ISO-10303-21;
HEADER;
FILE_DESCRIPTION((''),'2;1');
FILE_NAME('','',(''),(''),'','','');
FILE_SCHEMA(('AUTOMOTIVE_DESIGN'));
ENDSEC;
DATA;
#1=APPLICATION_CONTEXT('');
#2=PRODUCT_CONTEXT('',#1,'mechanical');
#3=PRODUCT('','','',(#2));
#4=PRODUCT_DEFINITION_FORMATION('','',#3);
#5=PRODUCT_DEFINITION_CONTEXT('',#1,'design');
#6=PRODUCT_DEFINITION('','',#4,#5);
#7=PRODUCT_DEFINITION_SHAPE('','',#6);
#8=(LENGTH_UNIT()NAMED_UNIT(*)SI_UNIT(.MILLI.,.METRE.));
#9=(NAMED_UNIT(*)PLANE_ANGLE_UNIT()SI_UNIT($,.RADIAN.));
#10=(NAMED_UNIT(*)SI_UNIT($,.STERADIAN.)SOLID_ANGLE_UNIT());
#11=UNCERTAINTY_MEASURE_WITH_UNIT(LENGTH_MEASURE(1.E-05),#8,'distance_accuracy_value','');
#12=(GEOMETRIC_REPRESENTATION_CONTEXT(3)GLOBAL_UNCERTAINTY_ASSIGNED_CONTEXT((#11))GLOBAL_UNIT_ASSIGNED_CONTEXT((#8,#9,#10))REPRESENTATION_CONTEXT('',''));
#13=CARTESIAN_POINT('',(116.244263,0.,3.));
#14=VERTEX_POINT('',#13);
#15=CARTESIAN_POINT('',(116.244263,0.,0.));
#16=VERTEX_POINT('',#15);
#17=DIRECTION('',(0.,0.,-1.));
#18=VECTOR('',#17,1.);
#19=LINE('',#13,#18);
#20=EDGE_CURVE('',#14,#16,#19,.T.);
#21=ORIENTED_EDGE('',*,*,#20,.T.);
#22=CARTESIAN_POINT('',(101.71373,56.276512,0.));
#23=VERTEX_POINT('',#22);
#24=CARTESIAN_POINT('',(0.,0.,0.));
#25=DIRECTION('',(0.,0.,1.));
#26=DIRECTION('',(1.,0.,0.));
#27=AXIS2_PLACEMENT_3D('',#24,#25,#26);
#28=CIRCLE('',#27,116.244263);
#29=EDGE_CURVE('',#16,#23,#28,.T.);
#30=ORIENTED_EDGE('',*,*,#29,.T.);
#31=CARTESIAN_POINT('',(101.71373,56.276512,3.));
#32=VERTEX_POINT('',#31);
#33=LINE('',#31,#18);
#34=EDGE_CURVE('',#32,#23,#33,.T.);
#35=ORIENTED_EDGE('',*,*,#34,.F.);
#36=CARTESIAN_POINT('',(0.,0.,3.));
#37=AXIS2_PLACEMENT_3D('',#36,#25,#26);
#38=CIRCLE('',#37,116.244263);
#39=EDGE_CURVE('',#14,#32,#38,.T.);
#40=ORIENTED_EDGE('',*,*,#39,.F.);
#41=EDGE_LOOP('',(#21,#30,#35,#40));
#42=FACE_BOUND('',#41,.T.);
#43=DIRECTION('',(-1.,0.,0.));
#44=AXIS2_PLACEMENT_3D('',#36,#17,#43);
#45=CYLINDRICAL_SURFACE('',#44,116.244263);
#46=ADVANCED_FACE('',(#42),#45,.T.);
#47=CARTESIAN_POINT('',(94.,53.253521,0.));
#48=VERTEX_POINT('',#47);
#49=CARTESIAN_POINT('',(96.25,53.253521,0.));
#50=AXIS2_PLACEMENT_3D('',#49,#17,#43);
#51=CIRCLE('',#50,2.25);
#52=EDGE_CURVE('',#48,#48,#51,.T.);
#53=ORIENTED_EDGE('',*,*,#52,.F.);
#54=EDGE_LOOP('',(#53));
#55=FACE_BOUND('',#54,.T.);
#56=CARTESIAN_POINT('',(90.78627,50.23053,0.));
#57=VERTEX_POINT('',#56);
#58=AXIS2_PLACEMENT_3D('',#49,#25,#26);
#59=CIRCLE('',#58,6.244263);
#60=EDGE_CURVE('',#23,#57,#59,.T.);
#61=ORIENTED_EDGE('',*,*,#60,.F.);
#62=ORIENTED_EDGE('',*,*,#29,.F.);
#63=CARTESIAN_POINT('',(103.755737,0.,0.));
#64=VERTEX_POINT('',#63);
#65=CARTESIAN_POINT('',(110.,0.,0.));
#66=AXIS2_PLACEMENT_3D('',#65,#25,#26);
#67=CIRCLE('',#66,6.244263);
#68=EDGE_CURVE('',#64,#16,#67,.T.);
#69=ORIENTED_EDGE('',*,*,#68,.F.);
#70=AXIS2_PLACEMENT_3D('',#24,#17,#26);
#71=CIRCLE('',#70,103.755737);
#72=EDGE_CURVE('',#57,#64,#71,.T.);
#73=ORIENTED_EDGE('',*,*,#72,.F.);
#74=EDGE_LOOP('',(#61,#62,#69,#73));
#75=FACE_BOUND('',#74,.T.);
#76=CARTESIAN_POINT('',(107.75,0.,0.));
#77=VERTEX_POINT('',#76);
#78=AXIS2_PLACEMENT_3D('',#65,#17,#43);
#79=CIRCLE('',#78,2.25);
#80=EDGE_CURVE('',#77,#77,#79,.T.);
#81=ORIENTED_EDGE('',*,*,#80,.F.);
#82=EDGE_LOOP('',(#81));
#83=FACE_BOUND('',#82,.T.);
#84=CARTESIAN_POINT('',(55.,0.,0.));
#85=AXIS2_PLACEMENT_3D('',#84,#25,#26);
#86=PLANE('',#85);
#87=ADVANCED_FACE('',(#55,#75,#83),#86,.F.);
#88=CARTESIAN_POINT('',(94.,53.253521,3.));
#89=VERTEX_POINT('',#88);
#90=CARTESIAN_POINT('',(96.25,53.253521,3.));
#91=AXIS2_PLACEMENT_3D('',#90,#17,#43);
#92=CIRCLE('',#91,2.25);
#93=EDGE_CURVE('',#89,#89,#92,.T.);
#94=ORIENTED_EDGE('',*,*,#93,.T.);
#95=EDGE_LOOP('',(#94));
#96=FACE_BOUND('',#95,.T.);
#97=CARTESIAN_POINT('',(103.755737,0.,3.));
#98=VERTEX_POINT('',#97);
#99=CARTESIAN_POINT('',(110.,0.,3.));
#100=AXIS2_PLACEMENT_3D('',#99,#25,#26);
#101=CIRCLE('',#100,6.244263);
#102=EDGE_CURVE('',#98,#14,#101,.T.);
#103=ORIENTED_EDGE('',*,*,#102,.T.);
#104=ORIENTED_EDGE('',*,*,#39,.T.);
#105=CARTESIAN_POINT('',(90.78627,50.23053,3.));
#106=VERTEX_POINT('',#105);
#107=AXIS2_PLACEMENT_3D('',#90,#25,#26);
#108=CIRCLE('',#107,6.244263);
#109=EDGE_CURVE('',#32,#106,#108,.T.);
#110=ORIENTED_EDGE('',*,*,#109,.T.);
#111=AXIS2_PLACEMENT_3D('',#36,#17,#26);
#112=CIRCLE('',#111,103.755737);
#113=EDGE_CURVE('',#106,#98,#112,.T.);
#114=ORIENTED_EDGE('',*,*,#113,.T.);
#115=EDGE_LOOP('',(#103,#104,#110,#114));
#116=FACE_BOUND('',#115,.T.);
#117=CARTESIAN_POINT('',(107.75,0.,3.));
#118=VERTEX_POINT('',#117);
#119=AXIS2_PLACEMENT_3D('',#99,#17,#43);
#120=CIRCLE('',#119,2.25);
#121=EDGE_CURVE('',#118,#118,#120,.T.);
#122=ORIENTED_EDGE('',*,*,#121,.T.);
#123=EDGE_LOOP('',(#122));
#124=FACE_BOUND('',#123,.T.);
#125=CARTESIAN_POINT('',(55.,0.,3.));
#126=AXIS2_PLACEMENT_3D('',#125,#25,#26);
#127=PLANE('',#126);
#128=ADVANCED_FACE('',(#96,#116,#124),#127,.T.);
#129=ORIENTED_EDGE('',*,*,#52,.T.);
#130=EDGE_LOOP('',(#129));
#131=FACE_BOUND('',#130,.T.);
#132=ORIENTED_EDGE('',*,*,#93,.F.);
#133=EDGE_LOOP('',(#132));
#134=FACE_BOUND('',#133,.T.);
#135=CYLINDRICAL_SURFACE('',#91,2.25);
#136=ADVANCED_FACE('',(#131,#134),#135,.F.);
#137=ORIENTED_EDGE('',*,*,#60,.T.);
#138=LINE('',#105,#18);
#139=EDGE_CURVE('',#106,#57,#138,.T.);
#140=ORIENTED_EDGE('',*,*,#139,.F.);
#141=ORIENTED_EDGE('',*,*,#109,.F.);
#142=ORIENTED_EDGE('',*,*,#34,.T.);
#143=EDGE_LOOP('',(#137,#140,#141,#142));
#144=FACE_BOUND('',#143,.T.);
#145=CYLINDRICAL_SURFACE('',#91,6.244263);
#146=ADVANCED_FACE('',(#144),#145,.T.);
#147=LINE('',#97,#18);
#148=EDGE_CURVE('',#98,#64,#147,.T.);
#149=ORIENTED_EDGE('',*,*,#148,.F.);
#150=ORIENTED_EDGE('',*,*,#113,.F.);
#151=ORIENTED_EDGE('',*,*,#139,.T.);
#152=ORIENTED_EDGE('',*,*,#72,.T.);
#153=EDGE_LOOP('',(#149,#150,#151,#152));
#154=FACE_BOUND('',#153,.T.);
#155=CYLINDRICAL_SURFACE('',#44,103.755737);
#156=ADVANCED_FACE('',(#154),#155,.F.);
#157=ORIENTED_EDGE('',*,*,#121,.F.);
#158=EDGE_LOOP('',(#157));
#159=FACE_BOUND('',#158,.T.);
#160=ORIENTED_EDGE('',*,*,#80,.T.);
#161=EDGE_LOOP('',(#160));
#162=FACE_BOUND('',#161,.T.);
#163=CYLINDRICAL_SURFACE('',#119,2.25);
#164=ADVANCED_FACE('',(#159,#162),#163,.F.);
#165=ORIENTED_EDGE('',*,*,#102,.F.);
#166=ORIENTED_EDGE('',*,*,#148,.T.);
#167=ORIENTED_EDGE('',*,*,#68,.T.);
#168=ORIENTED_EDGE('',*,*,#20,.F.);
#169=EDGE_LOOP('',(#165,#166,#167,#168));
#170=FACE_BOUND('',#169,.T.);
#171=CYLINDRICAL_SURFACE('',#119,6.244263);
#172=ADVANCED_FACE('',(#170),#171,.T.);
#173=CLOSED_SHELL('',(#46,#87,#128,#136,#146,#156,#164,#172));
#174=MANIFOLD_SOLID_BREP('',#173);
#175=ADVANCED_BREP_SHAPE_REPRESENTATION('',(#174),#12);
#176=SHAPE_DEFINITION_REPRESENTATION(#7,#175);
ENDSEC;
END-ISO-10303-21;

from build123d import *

# Parameters (mm, degrees)
ESTRUSIONE_ESTRUSIONE1_DEPTH = 3
SCHIZZO2_R                   = 2.25
TAGLIO_ESTRUSIONE1_DEPTH     = 131.62050005


with BuildPart() as part:
    # Schizzo1 → Estrusione-Estrusione1 (new body)
    with BuildSketch(Plane.XY):
        with BuildLine():
            ThreePointArc((116.244263144, 0), (112.553023812, 29.061065786), (101.713730251, 56.276511906))
            ThreePointArc((101.713730251, 56.276511906), (93.227009104, 58.717251262), (90.786269749, 50.230530114))
            ThreePointArc((90.786269749, 50.230530114), (100.461060229, 25.938934214), (103.755736856, 0))
            ThreePointArc((103.755736856, 0), (110, -6.244263144), (116.244263144, 0))
        make_face()
    extrude(amount=ESTRUSIONE_ESTRUSIONE1_DEPTH)

    # Schizzo2 → Taglio-Estrusione1 (cut, through all)
    with BuildSketch(Plane(origin=(0, 0, 0), x_dir=(-1, 0, 0), z_dir=(0, 0, -1))):
        with Locations((-110, 0)):
            Circle(SCHIZZO2_R)
        with Locations((-96.25, 53.25352101)):
            Circle(SCHIZZO2_R)
    extrude(amount=-TAGLIO_ESTRUSIONE1_DEPTH, mode=Mode.SUBTRACT)


solid = part.part
